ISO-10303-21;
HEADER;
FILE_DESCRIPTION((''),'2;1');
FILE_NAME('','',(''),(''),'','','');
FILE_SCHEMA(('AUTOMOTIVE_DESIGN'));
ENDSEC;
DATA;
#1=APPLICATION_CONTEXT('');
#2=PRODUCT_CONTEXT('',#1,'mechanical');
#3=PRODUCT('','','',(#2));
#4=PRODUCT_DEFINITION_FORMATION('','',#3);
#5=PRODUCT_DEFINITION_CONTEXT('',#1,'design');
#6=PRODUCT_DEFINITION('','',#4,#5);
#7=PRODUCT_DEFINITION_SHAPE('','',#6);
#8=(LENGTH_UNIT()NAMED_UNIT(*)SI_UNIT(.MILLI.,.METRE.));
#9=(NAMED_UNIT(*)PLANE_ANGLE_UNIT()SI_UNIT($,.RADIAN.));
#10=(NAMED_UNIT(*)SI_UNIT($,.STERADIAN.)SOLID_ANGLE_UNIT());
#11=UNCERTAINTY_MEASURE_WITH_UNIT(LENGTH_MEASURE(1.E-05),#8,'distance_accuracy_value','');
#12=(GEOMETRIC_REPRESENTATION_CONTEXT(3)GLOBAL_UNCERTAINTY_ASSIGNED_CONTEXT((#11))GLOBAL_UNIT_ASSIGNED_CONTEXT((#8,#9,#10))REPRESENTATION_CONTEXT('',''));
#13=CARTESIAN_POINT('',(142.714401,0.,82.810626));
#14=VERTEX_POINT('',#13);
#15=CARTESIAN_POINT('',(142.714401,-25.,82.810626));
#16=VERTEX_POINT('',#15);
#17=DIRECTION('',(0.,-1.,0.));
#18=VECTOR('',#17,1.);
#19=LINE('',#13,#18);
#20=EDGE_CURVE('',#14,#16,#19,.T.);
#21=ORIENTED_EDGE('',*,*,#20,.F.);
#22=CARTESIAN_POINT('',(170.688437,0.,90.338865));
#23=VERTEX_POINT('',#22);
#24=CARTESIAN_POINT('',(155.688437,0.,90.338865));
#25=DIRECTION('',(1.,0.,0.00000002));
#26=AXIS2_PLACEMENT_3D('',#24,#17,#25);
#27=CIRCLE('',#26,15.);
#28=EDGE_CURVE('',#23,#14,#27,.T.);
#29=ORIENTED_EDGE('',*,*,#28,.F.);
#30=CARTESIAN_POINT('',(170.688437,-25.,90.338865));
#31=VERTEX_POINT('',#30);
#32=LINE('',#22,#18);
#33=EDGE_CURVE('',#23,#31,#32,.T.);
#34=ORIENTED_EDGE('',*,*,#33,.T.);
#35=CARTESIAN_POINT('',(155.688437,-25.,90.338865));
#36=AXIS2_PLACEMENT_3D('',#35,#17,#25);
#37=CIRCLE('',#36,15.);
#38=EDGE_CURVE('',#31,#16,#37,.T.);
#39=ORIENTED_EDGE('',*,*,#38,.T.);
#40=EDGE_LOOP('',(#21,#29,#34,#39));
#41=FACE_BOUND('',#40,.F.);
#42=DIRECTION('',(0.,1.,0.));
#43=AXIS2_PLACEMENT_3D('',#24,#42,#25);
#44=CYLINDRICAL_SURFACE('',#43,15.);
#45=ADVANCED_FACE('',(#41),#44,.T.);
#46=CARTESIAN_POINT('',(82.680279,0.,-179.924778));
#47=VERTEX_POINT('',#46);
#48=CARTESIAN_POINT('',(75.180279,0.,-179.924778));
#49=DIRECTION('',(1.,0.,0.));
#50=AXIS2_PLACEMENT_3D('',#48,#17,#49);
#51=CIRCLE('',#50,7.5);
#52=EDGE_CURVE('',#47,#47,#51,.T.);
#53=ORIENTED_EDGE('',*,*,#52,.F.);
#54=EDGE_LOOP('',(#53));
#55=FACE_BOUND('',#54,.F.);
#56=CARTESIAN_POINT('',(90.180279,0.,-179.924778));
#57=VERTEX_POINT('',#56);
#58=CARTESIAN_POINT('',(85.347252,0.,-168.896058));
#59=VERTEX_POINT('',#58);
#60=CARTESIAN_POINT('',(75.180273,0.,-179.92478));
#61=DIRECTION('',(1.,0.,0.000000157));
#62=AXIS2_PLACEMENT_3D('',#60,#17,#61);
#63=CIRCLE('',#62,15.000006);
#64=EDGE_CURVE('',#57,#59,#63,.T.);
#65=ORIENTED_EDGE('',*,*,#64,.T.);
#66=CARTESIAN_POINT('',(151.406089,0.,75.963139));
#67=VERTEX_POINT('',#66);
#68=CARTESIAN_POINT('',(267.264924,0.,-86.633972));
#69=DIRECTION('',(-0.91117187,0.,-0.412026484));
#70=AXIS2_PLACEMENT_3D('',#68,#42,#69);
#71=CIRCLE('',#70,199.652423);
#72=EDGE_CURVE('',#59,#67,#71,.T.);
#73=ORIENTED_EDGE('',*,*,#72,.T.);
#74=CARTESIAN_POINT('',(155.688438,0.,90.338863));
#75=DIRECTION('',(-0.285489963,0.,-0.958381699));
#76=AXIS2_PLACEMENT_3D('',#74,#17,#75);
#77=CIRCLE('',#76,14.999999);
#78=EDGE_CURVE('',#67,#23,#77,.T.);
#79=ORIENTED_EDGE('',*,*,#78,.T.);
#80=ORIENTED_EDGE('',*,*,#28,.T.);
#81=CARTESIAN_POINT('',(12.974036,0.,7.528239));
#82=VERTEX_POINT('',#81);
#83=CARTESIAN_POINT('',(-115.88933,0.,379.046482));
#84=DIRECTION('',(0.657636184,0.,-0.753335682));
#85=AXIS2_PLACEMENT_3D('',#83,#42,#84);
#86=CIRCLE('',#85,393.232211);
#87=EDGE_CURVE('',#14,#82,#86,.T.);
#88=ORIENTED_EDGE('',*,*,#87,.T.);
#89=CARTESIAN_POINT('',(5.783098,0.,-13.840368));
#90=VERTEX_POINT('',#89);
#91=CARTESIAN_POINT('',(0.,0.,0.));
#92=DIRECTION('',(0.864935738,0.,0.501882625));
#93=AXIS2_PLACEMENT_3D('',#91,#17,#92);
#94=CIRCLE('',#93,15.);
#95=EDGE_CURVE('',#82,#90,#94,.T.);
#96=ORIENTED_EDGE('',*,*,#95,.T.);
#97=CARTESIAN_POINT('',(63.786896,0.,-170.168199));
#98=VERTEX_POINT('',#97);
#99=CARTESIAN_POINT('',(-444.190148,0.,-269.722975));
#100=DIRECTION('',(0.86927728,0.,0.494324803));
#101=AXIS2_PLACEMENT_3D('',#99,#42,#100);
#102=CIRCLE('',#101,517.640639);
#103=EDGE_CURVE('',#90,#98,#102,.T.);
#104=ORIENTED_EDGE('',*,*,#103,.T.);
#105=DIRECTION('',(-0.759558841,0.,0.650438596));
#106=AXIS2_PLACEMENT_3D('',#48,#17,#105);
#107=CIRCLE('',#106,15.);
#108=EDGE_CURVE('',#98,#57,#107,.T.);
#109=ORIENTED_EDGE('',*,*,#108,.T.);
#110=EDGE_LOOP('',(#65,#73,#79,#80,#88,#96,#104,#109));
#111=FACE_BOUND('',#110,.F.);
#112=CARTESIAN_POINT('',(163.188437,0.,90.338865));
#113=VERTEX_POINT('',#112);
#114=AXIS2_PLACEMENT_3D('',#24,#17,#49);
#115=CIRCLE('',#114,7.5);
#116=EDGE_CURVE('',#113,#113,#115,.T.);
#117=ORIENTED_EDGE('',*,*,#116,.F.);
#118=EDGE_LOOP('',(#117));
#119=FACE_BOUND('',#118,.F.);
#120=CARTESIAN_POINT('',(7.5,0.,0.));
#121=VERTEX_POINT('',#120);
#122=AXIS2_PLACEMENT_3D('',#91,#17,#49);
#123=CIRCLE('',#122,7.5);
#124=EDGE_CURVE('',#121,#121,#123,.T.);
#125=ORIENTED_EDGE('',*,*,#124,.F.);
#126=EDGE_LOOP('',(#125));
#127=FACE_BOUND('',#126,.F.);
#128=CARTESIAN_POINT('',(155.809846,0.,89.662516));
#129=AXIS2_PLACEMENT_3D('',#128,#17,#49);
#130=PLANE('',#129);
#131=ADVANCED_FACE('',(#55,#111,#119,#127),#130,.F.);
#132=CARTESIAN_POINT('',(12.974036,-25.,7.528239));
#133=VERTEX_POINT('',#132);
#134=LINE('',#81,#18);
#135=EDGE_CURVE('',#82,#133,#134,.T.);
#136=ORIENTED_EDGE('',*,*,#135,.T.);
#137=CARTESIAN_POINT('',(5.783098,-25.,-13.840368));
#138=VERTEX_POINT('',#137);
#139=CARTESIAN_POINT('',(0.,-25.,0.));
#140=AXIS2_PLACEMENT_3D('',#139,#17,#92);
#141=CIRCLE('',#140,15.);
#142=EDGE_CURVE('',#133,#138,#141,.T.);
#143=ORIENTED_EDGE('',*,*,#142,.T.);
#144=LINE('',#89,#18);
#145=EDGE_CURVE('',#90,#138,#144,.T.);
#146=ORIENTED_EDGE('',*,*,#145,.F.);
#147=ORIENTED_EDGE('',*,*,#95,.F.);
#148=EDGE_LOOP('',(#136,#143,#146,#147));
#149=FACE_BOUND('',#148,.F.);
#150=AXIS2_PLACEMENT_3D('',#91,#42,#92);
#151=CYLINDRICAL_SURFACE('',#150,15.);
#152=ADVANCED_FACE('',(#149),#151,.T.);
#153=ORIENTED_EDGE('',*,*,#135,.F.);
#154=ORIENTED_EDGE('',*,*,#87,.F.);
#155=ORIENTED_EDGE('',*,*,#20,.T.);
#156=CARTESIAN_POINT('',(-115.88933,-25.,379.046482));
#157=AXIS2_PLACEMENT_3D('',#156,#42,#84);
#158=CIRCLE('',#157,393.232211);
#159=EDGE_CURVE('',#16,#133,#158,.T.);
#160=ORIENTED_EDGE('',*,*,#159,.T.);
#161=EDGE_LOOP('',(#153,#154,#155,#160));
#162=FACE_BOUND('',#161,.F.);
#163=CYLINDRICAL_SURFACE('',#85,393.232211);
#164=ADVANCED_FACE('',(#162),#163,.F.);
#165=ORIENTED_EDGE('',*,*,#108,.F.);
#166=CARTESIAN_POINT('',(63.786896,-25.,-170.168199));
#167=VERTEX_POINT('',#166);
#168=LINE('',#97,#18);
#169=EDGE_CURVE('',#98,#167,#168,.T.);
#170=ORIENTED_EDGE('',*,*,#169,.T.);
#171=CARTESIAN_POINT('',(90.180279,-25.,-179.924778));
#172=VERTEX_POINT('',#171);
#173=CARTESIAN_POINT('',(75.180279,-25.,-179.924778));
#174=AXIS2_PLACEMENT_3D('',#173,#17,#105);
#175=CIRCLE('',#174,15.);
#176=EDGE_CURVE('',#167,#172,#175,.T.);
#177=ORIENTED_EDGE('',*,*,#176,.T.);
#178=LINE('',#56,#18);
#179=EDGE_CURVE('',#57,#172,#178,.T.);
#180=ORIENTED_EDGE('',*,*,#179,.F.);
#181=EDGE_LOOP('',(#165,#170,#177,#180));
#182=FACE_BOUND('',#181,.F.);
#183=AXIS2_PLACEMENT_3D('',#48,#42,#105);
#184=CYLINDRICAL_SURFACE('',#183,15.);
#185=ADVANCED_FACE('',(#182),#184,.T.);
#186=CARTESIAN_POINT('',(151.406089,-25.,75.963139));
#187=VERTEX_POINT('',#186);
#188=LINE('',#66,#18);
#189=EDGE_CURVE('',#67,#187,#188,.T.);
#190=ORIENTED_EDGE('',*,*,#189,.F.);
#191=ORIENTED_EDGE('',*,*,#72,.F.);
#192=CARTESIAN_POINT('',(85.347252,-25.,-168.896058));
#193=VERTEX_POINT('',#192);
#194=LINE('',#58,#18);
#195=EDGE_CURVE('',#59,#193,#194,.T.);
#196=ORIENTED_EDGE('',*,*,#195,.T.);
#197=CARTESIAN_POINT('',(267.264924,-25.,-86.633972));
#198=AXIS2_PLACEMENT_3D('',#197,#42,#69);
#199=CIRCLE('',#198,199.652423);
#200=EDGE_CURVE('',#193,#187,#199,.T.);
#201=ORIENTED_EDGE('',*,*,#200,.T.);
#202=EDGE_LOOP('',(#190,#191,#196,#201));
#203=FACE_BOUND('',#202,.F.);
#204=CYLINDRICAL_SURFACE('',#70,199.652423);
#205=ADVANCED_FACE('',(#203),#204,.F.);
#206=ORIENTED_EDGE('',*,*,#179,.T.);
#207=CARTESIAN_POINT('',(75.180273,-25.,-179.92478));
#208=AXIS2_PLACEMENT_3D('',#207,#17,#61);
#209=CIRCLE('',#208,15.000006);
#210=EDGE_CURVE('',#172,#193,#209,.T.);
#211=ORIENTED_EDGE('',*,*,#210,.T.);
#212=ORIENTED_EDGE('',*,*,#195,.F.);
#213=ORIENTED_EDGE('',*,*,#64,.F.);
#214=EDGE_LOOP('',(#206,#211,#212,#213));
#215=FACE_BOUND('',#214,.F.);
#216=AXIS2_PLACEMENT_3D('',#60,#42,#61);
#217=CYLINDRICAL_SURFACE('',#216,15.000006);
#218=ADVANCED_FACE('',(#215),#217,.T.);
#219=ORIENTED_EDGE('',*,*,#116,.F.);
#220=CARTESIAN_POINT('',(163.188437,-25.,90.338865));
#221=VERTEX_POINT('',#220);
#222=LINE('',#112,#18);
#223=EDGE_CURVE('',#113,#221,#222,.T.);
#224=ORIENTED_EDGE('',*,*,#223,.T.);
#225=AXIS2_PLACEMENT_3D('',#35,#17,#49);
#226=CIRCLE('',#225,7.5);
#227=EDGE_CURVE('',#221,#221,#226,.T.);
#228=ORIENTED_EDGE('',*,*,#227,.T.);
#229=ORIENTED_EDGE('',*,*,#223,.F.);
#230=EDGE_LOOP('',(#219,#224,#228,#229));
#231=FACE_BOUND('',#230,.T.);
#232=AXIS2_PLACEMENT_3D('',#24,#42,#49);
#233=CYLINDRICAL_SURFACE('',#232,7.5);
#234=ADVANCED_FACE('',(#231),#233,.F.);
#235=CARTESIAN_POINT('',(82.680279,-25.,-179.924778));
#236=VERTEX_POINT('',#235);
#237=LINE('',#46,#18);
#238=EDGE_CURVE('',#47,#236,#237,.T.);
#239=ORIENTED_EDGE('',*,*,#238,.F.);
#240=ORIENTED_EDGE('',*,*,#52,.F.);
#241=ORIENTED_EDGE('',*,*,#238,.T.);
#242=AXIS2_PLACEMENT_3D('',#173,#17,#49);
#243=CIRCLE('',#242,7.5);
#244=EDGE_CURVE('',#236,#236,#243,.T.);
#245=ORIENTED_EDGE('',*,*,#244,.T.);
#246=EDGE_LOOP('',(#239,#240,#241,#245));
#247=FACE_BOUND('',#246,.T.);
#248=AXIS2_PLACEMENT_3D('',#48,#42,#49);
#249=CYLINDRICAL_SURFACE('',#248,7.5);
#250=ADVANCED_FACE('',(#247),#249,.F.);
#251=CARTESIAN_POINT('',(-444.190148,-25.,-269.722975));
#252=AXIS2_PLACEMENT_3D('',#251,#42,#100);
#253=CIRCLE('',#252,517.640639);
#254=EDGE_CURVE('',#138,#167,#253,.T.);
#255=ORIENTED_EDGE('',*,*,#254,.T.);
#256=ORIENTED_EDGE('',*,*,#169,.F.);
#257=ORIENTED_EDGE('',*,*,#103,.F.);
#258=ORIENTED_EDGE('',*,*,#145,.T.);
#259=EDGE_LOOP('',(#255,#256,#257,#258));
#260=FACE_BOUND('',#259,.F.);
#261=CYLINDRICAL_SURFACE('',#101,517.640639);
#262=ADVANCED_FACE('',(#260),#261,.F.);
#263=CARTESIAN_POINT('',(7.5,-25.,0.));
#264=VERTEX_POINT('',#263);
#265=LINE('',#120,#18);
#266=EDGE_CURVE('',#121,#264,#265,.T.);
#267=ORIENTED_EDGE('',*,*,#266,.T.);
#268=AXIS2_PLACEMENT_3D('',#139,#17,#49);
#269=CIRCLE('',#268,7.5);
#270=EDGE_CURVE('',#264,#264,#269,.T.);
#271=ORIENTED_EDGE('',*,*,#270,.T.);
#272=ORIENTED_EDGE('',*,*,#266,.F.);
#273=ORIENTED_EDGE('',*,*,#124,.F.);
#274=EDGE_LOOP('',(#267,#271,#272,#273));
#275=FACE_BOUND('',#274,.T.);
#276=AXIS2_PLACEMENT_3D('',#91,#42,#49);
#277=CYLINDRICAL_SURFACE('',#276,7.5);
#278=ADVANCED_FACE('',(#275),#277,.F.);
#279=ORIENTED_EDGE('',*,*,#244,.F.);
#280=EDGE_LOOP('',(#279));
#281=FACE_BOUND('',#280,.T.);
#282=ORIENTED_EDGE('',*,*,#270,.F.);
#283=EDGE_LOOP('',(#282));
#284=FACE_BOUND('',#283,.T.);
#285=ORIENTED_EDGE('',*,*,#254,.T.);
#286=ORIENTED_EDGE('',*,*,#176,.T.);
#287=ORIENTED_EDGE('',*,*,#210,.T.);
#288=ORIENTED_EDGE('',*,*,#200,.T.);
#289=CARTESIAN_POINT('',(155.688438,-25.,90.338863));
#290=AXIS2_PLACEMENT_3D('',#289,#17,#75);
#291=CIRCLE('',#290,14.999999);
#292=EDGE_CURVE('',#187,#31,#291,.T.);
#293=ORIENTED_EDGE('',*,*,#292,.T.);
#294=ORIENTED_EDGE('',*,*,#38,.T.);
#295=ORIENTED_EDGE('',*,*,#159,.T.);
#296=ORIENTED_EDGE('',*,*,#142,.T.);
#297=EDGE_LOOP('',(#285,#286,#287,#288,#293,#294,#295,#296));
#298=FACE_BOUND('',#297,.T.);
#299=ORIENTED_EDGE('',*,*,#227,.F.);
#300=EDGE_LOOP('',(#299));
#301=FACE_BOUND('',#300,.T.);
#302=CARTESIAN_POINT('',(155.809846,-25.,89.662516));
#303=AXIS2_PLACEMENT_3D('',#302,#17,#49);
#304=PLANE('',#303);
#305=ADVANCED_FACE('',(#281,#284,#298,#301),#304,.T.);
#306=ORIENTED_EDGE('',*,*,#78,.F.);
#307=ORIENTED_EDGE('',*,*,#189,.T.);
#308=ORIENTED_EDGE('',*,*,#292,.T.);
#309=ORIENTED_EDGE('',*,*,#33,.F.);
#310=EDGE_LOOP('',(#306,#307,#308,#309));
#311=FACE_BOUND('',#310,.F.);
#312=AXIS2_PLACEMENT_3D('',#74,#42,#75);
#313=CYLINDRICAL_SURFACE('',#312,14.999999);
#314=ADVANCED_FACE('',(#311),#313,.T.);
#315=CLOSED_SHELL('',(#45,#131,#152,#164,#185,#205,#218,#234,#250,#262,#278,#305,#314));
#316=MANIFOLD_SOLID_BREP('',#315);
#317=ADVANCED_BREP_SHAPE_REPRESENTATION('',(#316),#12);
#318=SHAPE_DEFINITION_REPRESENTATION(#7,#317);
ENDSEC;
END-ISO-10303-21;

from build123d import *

# Parameters (mm, degrees)
F0_R     = 7.5
F1_DEPTH = 25


with BuildPart() as f1:
    # F0 (on Front) → F1 (new body)
    with BuildSketch(Plane.XZ):
        with BuildLine():
            ThreePointArc((151.406089, 75.963139), (164.65406, 78.313158), (170.688437, 90.338865))
            ThreePointArc((170.688437, 90.338865), (151.790396, 104.823521), (142.714401, 82.810626))
            ThreePointArc((142.714401, 82.810626), (146.40578, 78.556154), (151.406089, 75.963139))
        make_face()
        with Locations((155.688437, 90.338865)):
            Circle(F0_R, mode=Mode.SUBTRACT)
        with BuildLine():
            ThreePointArc((151.406089, 75.963139), (146.40578, 78.556154), (142.714401, 82.810626))
            ThreePointArc((142.714401, 82.810626), (81.467067, 38.925879), (12.974036, 7.528239))
            ThreePointArc((12.974036, 7.528239), (14.484656, 3.898041), (15, 0))
            ThreePointArc((15, 0), (12.48492, -8.314251), (5.783098, -13.840368))
            ThreePointArc((5.783098, -13.840368), (41.120873, -89.653423), (63.786896, -170.168199))
            ThreePointArc((63.786896, -170.168199), (74.29676, -164.950821), (85.347252, -168.896058))
            ThreePointArc((85.347252, -168.896058), (74.504143, -34.6304), (151.406089, 75.963139))
        make_face()
        with BuildLine():
            ThreePointArc((15, 0), (14.484656, 3.898041), (12.974036, 7.528239))
            ThreePointArc((12.974036, 7.528239), (-14.216605, 4.784155), (5.783098, -13.840368))
            ThreePointArc((5.783098, -13.840368), (12.48492, -8.314251), (15, 0))
        make_face()
        Circle(F0_R, mode=Mode.SUBTRACT)
        with BuildLine():
            ThreePointArc((90.180279, -179.924778), (88.918994, -173.904172), (85.347252, -168.896058))
            ThreePointArc((85.347252, -168.896058), (74.29676, -164.950821), (63.786896, -170.168199))
            ThreePointArc((63.786896, -170.168199), (69.979353, -193.994262), (90.180279, -179.924778))
        make_face()
        with Locations((75.180279, -179.924778)):
            Circle(F0_R, mode=Mode.SUBTRACT)
    extrude(amount=F1_DEPTH)


solid = f1.part
